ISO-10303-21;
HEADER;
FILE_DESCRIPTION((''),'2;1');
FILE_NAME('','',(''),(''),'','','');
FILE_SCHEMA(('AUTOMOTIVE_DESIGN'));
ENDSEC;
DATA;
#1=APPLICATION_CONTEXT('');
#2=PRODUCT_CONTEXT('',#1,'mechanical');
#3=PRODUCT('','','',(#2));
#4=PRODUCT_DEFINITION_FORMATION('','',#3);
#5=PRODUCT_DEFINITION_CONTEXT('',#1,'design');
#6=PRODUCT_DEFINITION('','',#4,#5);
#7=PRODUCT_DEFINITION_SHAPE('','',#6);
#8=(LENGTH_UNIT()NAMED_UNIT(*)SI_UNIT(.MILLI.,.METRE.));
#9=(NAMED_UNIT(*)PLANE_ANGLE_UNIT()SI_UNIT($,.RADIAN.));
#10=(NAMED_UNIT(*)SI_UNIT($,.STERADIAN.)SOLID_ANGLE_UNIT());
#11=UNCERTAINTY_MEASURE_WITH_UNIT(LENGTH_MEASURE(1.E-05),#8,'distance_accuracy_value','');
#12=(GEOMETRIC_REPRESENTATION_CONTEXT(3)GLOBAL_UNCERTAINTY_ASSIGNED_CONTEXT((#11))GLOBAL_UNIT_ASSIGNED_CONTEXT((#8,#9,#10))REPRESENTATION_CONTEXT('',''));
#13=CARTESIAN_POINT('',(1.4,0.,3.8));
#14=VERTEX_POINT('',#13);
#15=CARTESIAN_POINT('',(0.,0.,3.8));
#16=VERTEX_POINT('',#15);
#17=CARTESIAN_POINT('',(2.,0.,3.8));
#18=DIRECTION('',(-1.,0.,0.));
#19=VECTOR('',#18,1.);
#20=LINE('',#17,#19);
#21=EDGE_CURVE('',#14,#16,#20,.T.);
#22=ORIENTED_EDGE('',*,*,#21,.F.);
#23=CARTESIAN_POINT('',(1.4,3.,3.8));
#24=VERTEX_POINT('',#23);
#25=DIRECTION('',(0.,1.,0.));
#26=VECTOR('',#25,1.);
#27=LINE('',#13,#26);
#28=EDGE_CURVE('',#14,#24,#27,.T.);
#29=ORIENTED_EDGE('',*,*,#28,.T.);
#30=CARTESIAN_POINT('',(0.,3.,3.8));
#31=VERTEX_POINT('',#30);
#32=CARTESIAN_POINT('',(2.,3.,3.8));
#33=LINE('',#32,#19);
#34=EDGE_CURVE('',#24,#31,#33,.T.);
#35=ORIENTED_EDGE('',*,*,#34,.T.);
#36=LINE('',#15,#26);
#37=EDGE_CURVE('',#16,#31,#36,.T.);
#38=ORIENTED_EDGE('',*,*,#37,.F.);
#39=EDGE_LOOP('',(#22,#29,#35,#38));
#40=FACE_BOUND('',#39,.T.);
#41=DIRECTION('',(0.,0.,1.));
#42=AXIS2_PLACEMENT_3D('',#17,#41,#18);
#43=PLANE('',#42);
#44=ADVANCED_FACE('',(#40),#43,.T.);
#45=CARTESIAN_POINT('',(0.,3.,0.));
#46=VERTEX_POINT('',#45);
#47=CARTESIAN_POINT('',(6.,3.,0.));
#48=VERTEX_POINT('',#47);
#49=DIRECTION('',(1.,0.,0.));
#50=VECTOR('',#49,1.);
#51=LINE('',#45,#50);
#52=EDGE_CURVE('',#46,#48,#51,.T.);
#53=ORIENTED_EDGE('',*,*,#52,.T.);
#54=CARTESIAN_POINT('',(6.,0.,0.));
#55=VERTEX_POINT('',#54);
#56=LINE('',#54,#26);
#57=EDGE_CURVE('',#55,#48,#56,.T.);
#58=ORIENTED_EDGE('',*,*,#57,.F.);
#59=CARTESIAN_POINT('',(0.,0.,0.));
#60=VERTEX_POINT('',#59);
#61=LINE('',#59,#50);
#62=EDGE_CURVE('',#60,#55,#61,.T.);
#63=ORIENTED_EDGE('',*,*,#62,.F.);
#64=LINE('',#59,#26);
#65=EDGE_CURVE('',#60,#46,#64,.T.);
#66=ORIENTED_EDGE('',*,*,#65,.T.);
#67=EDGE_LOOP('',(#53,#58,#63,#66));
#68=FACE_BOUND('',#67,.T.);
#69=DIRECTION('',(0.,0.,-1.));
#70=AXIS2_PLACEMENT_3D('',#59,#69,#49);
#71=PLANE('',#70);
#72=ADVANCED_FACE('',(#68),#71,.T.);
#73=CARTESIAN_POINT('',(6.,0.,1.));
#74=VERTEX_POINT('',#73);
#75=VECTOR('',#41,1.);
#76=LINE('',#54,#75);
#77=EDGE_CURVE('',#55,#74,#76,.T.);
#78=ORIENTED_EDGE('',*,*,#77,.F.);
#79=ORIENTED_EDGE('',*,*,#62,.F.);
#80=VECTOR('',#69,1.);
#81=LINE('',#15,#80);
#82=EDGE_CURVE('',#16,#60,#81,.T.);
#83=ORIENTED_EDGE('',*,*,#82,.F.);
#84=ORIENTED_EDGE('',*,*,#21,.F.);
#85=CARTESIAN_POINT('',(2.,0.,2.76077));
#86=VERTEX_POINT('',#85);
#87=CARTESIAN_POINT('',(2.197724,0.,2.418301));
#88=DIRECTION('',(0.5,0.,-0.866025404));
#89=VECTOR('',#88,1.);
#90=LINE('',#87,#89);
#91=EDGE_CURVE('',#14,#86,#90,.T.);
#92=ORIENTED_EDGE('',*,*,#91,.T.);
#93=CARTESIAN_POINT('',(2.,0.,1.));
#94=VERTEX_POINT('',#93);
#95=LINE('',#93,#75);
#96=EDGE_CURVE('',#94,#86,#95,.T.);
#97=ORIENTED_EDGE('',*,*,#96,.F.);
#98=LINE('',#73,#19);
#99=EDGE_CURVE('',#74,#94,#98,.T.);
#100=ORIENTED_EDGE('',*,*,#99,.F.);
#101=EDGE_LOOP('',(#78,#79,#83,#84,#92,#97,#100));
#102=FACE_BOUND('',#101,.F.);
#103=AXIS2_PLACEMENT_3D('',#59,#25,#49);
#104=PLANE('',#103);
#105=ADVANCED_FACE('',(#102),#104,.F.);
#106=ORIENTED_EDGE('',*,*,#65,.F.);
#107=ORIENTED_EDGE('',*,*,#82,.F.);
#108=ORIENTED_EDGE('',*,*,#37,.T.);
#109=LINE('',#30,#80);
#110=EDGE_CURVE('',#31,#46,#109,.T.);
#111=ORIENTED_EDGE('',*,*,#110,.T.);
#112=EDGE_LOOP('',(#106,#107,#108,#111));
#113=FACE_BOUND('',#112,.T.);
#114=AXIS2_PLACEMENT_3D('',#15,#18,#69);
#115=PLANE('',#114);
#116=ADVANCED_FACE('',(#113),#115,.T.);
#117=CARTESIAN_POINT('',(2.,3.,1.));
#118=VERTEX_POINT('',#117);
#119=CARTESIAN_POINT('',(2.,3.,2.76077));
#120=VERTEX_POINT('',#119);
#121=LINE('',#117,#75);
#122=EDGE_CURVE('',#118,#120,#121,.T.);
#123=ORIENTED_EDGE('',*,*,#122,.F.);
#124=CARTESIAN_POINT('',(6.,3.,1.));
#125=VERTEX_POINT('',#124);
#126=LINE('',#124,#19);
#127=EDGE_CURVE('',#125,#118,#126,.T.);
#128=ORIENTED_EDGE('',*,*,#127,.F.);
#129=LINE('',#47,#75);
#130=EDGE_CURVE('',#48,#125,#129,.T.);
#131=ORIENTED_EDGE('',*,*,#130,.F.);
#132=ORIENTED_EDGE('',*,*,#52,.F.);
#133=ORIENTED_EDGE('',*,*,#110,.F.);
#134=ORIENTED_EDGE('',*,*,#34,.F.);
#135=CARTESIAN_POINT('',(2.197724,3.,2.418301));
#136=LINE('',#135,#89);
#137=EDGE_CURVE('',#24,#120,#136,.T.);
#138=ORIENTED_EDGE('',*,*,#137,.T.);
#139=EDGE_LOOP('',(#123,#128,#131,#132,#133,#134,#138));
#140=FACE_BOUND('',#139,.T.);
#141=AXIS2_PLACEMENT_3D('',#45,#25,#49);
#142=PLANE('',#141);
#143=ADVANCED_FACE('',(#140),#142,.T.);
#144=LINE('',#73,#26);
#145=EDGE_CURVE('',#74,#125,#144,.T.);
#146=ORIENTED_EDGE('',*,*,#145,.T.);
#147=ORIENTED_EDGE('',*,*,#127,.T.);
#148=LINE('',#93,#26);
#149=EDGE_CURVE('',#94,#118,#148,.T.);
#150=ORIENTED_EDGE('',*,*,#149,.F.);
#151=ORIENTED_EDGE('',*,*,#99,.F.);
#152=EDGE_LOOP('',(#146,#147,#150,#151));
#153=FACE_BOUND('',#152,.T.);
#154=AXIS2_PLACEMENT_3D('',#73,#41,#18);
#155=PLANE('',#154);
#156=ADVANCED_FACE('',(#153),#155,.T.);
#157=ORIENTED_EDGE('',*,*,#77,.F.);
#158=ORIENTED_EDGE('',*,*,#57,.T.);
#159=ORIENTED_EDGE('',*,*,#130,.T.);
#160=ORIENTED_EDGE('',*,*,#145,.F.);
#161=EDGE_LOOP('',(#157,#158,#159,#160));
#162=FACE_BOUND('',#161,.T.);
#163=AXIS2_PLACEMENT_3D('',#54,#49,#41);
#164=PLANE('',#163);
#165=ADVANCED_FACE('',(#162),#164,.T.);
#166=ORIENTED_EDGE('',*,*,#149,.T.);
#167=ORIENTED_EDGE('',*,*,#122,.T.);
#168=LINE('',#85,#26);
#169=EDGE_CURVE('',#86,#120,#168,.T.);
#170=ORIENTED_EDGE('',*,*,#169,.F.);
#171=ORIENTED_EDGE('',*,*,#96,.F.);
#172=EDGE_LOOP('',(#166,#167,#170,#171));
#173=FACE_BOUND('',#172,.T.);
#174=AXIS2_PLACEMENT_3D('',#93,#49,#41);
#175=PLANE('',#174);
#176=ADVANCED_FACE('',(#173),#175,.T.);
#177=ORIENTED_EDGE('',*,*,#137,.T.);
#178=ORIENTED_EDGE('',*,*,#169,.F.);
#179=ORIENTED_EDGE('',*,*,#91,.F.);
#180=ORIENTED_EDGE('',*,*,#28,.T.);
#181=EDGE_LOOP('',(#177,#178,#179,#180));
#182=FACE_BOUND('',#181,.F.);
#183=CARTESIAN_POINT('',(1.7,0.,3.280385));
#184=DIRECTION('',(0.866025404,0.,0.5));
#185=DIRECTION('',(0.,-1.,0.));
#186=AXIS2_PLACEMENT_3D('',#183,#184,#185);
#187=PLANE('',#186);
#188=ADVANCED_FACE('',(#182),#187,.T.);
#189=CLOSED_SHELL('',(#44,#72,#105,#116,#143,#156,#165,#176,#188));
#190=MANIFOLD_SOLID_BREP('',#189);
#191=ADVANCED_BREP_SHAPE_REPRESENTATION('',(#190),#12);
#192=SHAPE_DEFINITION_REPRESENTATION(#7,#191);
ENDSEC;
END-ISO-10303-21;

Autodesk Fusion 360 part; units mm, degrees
sketch "Sketch1" plane through (0, 0, 0) normal (0, 1, 0) x (1, 0, 0)
  line L0 (0, 0) -> (6, 0)
  line L1 (6, 0) -> (6, -1)
  line L2 (6, -1) -> (2, -1)
  line L3 (2, -1) -> (2, -3.8)
  line L4 (2, -3.8) -> (0, -3.8)
  line L5 (0, -3.8) -> (0, 0)
  dimension "d1" = 2.8
  dimension "d2" = 1
  dimension "d3" = 2
  dimension "d4" = 4
extrude "Extrude1" add sketch "Sketch1" along normal blind 3
sketch "Sketch4" plane through (0, 0, 0) normal (0, 0, -1) x (1, 0, 0)
  line L0 (6, 0) -> (0, 0)
  line L1 (0, 0) -> (0, -3)
  line L2 (0, -3) -> (6, -3)
  line L3 (6, -3) -> (6, 0)
  line L4 (0, -1.5) -> (6, -1.5) construction
  line L5 (2, 0) -> (2, -3) construction
  point P0 (2, -1.5)
chamfer "Chamfer3" distance 0.6 angle 60 1 edges at (2, 1.5, 3.8) measured on face at (1.3333, 1, 3.8)
